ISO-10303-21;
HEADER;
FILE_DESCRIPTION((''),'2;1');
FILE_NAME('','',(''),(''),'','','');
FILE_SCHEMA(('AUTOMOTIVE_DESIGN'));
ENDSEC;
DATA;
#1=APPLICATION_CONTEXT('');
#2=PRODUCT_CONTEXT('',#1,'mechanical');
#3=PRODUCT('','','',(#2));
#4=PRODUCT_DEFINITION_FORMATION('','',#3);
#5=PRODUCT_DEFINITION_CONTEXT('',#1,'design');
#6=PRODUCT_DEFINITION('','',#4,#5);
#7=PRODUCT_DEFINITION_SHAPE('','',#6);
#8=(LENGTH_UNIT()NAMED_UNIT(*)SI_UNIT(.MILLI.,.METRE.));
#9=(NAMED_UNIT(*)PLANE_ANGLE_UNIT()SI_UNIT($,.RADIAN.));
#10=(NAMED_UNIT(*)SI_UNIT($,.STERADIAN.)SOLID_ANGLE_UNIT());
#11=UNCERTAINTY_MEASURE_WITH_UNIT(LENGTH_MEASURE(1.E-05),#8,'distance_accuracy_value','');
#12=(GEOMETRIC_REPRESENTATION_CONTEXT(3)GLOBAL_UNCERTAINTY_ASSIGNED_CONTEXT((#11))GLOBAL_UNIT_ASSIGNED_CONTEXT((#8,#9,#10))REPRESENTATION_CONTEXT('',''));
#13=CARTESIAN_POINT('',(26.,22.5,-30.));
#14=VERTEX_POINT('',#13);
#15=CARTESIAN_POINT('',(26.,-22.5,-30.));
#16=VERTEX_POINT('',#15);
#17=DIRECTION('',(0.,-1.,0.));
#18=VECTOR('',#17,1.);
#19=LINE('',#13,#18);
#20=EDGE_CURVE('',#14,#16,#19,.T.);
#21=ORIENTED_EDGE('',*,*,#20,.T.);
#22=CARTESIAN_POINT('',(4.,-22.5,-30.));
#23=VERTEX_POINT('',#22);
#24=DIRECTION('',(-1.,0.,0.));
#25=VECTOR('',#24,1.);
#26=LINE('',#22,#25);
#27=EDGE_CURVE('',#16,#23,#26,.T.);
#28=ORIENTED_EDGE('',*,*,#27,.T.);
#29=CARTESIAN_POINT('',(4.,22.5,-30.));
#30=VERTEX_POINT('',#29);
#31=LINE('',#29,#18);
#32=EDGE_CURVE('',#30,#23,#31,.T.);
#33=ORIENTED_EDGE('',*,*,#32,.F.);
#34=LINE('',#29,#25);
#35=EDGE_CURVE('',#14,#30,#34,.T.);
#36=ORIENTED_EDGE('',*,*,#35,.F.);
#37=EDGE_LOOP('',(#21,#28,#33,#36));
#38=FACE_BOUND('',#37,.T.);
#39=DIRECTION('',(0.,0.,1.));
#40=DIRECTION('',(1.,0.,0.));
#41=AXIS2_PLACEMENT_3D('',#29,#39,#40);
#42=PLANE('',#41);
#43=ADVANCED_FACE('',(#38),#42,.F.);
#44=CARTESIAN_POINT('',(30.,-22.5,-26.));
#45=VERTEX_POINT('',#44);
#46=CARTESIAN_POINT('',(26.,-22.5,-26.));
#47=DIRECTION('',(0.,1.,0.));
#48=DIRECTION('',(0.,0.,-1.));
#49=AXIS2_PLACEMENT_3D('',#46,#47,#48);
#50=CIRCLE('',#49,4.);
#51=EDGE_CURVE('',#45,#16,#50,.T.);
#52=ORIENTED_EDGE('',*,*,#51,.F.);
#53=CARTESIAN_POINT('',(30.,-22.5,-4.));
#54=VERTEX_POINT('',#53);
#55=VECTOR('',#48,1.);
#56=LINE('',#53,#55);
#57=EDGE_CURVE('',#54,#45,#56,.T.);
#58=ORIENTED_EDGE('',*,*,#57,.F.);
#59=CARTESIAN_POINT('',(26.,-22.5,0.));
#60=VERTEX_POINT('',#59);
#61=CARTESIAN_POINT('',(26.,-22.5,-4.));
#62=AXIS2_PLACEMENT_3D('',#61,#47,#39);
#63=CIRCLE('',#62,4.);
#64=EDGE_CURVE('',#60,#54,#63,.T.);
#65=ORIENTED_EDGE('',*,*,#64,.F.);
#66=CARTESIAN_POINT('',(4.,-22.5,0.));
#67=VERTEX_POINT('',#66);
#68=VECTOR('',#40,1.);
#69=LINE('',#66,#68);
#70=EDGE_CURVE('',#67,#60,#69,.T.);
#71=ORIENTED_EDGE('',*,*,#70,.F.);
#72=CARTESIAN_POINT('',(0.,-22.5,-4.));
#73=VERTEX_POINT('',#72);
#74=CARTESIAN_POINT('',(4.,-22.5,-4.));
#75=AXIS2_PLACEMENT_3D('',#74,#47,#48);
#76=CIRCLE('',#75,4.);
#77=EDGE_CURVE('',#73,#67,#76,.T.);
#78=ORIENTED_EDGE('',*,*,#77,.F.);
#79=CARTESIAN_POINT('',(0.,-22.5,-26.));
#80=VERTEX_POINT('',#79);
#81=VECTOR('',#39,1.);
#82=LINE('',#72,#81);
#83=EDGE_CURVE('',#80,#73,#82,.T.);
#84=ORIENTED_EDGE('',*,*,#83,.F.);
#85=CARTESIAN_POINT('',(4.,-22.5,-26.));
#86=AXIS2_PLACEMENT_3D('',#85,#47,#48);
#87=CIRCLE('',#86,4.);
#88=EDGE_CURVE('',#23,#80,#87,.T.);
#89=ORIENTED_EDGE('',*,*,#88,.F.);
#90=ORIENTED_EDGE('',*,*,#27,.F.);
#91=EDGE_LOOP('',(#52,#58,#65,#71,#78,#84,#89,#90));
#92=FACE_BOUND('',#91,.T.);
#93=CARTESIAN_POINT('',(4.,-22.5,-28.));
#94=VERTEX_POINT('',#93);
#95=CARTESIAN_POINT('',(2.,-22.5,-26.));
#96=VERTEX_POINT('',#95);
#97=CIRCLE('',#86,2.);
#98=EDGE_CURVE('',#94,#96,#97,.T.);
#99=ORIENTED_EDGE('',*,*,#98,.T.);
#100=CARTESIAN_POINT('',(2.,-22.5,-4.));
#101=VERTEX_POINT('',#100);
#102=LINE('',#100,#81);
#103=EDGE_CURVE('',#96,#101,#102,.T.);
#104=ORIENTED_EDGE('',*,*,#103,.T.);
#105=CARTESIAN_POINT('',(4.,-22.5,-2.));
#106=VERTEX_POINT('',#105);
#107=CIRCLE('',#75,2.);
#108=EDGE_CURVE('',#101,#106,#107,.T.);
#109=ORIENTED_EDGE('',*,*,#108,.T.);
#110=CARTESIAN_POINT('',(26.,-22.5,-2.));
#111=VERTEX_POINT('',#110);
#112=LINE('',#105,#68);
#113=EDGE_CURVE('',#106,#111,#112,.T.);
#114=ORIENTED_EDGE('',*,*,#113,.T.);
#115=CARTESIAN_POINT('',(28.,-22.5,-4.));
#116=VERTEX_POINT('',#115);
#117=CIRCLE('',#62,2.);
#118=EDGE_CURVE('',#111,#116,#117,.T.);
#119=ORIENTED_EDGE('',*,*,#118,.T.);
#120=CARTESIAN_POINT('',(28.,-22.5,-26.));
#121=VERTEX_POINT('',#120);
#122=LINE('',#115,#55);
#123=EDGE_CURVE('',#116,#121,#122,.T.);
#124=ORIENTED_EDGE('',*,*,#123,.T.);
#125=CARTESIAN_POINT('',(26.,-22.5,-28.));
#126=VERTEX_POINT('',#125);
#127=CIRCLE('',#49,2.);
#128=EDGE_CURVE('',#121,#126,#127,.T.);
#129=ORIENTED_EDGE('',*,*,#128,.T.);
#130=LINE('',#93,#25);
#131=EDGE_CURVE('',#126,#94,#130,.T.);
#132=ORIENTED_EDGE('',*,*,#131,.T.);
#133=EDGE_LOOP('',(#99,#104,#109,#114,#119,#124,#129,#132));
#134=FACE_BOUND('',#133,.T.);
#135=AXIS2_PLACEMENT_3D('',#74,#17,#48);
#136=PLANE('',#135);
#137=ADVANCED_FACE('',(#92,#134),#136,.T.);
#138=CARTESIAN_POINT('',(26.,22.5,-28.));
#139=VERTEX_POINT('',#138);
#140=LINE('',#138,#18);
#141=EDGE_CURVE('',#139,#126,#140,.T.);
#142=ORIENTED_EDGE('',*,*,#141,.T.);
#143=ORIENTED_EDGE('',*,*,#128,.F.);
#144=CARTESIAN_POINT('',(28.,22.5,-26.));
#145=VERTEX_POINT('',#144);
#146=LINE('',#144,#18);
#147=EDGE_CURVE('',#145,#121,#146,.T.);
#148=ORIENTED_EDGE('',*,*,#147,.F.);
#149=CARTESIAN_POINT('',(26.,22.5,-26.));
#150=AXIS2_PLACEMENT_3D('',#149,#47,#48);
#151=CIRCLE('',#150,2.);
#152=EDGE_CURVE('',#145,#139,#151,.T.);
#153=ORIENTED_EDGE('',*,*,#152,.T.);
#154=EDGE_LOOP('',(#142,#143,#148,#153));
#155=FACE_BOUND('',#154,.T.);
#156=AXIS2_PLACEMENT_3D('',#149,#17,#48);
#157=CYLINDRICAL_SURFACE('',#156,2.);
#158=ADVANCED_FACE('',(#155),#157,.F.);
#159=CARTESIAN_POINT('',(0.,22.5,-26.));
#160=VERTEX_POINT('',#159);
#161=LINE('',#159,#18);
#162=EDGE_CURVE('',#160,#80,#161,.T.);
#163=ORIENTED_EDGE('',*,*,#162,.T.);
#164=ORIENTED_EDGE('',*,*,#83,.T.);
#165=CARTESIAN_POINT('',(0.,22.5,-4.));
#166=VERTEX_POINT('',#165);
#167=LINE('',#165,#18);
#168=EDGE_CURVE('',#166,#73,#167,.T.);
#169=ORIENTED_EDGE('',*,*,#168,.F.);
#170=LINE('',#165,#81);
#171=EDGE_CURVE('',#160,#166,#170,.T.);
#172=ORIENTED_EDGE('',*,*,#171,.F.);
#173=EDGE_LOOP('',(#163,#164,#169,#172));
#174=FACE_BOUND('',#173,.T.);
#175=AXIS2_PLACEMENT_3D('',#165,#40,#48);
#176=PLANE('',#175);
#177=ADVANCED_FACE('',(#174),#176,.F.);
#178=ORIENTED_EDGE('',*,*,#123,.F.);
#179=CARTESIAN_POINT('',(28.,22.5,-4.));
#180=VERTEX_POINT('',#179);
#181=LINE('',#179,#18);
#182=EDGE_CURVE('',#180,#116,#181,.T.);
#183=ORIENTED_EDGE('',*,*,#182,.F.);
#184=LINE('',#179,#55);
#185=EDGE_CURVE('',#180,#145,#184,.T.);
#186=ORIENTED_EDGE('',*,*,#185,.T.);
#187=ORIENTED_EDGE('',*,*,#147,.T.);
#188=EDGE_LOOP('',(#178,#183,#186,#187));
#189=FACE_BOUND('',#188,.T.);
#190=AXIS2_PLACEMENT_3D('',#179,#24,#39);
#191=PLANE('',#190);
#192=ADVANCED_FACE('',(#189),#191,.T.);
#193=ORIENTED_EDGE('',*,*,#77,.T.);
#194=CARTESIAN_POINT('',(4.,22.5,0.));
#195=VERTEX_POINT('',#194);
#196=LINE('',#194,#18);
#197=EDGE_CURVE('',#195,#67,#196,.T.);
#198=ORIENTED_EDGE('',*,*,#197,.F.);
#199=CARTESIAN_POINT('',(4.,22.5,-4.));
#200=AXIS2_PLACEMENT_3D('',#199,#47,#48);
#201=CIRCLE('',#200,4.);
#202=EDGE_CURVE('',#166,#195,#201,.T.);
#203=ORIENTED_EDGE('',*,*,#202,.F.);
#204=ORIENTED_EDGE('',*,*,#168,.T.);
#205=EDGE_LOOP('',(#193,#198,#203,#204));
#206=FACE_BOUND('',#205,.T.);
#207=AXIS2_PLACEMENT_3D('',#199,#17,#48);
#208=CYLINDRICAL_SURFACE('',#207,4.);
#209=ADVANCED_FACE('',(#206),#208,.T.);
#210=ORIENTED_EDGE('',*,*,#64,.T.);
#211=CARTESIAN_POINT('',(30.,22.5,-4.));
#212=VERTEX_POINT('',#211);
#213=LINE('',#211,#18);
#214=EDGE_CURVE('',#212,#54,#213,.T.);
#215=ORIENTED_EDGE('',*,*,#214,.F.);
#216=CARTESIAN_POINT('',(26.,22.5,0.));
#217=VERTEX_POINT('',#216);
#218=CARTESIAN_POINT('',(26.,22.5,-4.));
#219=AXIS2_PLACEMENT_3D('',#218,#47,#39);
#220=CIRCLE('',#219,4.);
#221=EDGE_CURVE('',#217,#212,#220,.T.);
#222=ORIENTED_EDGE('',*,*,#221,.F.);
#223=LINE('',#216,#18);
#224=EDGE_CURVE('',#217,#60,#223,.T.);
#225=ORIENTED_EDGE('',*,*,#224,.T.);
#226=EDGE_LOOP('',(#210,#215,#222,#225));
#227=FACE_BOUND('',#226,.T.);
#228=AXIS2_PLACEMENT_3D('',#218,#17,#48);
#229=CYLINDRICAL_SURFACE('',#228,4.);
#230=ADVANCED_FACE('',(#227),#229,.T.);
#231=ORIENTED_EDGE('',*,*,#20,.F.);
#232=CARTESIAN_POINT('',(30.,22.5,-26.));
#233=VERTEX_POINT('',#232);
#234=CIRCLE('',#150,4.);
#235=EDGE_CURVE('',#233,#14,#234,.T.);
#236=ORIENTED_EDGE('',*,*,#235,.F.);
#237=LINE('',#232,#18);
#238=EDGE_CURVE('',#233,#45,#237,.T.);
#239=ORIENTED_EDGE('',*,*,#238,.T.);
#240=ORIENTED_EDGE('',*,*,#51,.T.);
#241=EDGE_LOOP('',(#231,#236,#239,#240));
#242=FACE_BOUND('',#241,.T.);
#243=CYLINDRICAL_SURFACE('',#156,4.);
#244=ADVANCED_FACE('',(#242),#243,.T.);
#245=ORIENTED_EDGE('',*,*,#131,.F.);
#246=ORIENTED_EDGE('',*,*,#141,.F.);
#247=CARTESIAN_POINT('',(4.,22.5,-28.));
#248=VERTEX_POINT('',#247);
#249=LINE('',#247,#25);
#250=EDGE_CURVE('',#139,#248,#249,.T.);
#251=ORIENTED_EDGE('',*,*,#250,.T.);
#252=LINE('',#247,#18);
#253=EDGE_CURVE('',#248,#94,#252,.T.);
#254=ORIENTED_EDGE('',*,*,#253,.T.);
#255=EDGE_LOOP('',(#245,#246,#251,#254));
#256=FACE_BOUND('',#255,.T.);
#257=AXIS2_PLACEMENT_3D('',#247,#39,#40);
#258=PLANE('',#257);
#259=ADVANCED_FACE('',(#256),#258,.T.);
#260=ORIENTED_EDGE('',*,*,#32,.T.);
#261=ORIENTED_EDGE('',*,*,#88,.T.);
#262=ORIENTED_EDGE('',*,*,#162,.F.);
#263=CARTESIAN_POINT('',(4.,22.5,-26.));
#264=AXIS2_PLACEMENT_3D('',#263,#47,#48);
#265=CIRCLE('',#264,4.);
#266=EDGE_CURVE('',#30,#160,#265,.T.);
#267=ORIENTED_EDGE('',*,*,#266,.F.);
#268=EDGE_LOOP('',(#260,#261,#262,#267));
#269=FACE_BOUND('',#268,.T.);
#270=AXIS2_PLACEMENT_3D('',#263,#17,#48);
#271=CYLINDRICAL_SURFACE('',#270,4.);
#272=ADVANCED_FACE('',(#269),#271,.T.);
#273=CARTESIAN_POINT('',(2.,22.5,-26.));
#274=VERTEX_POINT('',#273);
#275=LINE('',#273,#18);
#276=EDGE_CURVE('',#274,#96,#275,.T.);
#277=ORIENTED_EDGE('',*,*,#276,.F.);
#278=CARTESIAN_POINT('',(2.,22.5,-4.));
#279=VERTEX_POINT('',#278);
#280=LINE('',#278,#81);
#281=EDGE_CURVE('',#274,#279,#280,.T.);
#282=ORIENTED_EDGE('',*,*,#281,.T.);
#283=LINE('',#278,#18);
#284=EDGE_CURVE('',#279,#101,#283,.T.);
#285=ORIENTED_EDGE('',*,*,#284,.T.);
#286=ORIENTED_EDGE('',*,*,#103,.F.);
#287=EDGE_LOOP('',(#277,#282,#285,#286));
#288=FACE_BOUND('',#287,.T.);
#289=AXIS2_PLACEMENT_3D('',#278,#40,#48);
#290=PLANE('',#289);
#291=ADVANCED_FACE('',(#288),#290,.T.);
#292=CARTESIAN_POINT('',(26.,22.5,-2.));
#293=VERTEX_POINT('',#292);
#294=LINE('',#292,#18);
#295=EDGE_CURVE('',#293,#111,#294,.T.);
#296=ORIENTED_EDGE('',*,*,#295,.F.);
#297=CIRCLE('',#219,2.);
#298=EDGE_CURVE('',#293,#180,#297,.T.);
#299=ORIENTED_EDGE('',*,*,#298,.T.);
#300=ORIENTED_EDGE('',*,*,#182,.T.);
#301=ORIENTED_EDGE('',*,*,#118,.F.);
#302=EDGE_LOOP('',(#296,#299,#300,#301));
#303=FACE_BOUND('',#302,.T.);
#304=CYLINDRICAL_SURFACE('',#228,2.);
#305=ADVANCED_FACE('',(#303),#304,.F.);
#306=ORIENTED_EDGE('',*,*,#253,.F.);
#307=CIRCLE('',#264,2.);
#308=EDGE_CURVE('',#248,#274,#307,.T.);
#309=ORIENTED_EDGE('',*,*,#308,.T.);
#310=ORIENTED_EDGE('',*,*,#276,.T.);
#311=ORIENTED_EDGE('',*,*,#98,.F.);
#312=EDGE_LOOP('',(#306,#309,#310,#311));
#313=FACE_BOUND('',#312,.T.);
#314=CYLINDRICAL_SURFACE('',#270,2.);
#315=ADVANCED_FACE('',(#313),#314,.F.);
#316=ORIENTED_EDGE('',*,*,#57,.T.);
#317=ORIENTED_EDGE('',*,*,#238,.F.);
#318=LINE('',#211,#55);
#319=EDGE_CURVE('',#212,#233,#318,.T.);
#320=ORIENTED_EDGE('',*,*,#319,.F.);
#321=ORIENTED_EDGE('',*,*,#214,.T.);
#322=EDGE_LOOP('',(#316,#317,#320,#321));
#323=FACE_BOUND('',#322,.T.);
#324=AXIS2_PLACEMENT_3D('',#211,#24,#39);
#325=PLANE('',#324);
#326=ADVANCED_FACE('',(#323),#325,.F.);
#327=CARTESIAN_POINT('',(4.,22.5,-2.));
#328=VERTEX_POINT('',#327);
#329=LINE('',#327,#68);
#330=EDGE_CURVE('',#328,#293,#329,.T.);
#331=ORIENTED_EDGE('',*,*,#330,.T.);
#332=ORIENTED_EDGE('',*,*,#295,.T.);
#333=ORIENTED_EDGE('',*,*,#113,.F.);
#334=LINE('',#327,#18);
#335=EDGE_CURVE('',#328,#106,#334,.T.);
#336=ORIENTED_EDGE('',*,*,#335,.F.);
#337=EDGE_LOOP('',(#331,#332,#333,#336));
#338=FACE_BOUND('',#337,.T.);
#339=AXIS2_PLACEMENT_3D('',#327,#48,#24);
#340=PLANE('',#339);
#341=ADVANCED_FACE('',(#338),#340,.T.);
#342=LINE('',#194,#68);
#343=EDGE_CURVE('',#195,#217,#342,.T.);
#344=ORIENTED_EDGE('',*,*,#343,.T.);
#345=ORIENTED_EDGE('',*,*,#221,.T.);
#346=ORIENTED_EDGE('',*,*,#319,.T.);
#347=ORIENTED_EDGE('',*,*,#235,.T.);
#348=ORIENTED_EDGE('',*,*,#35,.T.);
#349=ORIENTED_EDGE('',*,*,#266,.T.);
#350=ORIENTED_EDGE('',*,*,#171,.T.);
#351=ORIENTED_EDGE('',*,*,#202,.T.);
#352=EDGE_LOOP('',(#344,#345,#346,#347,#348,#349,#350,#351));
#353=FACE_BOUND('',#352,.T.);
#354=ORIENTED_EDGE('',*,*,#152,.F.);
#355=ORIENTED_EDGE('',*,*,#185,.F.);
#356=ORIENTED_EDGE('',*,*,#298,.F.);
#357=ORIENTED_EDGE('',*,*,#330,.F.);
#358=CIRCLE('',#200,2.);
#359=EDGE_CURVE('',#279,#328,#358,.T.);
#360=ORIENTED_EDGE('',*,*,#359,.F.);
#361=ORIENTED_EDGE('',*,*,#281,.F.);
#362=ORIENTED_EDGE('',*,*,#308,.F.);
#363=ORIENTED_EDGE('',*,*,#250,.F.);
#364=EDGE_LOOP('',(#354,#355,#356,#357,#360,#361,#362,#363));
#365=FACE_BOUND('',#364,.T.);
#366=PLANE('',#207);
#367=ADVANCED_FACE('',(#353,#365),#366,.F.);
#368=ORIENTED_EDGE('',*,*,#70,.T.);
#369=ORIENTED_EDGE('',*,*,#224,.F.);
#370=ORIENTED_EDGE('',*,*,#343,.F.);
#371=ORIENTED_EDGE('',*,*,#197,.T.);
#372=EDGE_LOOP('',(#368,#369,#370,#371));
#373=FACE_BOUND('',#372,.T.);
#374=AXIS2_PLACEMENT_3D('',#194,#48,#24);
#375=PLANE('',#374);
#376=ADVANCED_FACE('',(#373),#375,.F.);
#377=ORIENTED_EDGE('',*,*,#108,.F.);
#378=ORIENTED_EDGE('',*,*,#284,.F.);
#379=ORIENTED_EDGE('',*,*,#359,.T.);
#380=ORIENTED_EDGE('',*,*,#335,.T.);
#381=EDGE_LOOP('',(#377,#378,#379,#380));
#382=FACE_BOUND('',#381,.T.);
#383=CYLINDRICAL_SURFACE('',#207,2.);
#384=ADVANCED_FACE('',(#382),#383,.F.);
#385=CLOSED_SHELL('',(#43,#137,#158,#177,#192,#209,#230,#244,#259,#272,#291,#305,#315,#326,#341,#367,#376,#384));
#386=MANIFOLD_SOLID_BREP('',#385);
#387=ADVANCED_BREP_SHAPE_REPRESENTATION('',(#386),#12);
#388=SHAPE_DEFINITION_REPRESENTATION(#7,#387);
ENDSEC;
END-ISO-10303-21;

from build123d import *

# Parameters (mm, degrees)
EXTRUDE_1_DEPTH = 22.5


with BuildPart() as part:
    # 草图1 → 凸台-拉伸1 (new, symmetric)
    with BuildSketch(Plane(origin=(0, 0, 0), x_dir=(1, 0, 0), z_dir=(0, 1, 0))):
        with BuildLine():
            Line((4, 0), (26, 0))
            ThreePointArc((26, 0), (28.828427125, 1.171572875), (30, 4))
            Line((30, 4), (30, 26))
            ThreePointArc((30, 26), (28.828427125, 28.828427125), (26, 30))
            Line((26, 30), (4, 30))
            ThreePointArc((4, 30), (1.171572875, 28.828427125), (0, 26))
            Line((0, 26), (0, 4))
            ThreePointArc((0, 4), (1.171572875, 1.171572875), (4, 0))
        make_face()
        with BuildLine():
            Line((4, 2), (26, 2))
            ThreePointArc((26, 2), (27.414213562, 2.585786438), (28, 4))
            Line((28, 4), (28, 26))
            ThreePointArc((28, 26), (27.414213562, 27.414213562), (26, 28))
            Line((26, 28), (4, 28))
            ThreePointArc((4, 28), (2.585786438, 27.414213562), (2, 26))
            Line((2, 26), (2, 4))
            ThreePointArc((2, 4), (2.585786438, 2.585786438), (4, 2))
        make_face(mode=Mode.SUBTRACT)
    extrude(amount=EXTRUDE_1_DEPTH, both=True)


solid = part.part
